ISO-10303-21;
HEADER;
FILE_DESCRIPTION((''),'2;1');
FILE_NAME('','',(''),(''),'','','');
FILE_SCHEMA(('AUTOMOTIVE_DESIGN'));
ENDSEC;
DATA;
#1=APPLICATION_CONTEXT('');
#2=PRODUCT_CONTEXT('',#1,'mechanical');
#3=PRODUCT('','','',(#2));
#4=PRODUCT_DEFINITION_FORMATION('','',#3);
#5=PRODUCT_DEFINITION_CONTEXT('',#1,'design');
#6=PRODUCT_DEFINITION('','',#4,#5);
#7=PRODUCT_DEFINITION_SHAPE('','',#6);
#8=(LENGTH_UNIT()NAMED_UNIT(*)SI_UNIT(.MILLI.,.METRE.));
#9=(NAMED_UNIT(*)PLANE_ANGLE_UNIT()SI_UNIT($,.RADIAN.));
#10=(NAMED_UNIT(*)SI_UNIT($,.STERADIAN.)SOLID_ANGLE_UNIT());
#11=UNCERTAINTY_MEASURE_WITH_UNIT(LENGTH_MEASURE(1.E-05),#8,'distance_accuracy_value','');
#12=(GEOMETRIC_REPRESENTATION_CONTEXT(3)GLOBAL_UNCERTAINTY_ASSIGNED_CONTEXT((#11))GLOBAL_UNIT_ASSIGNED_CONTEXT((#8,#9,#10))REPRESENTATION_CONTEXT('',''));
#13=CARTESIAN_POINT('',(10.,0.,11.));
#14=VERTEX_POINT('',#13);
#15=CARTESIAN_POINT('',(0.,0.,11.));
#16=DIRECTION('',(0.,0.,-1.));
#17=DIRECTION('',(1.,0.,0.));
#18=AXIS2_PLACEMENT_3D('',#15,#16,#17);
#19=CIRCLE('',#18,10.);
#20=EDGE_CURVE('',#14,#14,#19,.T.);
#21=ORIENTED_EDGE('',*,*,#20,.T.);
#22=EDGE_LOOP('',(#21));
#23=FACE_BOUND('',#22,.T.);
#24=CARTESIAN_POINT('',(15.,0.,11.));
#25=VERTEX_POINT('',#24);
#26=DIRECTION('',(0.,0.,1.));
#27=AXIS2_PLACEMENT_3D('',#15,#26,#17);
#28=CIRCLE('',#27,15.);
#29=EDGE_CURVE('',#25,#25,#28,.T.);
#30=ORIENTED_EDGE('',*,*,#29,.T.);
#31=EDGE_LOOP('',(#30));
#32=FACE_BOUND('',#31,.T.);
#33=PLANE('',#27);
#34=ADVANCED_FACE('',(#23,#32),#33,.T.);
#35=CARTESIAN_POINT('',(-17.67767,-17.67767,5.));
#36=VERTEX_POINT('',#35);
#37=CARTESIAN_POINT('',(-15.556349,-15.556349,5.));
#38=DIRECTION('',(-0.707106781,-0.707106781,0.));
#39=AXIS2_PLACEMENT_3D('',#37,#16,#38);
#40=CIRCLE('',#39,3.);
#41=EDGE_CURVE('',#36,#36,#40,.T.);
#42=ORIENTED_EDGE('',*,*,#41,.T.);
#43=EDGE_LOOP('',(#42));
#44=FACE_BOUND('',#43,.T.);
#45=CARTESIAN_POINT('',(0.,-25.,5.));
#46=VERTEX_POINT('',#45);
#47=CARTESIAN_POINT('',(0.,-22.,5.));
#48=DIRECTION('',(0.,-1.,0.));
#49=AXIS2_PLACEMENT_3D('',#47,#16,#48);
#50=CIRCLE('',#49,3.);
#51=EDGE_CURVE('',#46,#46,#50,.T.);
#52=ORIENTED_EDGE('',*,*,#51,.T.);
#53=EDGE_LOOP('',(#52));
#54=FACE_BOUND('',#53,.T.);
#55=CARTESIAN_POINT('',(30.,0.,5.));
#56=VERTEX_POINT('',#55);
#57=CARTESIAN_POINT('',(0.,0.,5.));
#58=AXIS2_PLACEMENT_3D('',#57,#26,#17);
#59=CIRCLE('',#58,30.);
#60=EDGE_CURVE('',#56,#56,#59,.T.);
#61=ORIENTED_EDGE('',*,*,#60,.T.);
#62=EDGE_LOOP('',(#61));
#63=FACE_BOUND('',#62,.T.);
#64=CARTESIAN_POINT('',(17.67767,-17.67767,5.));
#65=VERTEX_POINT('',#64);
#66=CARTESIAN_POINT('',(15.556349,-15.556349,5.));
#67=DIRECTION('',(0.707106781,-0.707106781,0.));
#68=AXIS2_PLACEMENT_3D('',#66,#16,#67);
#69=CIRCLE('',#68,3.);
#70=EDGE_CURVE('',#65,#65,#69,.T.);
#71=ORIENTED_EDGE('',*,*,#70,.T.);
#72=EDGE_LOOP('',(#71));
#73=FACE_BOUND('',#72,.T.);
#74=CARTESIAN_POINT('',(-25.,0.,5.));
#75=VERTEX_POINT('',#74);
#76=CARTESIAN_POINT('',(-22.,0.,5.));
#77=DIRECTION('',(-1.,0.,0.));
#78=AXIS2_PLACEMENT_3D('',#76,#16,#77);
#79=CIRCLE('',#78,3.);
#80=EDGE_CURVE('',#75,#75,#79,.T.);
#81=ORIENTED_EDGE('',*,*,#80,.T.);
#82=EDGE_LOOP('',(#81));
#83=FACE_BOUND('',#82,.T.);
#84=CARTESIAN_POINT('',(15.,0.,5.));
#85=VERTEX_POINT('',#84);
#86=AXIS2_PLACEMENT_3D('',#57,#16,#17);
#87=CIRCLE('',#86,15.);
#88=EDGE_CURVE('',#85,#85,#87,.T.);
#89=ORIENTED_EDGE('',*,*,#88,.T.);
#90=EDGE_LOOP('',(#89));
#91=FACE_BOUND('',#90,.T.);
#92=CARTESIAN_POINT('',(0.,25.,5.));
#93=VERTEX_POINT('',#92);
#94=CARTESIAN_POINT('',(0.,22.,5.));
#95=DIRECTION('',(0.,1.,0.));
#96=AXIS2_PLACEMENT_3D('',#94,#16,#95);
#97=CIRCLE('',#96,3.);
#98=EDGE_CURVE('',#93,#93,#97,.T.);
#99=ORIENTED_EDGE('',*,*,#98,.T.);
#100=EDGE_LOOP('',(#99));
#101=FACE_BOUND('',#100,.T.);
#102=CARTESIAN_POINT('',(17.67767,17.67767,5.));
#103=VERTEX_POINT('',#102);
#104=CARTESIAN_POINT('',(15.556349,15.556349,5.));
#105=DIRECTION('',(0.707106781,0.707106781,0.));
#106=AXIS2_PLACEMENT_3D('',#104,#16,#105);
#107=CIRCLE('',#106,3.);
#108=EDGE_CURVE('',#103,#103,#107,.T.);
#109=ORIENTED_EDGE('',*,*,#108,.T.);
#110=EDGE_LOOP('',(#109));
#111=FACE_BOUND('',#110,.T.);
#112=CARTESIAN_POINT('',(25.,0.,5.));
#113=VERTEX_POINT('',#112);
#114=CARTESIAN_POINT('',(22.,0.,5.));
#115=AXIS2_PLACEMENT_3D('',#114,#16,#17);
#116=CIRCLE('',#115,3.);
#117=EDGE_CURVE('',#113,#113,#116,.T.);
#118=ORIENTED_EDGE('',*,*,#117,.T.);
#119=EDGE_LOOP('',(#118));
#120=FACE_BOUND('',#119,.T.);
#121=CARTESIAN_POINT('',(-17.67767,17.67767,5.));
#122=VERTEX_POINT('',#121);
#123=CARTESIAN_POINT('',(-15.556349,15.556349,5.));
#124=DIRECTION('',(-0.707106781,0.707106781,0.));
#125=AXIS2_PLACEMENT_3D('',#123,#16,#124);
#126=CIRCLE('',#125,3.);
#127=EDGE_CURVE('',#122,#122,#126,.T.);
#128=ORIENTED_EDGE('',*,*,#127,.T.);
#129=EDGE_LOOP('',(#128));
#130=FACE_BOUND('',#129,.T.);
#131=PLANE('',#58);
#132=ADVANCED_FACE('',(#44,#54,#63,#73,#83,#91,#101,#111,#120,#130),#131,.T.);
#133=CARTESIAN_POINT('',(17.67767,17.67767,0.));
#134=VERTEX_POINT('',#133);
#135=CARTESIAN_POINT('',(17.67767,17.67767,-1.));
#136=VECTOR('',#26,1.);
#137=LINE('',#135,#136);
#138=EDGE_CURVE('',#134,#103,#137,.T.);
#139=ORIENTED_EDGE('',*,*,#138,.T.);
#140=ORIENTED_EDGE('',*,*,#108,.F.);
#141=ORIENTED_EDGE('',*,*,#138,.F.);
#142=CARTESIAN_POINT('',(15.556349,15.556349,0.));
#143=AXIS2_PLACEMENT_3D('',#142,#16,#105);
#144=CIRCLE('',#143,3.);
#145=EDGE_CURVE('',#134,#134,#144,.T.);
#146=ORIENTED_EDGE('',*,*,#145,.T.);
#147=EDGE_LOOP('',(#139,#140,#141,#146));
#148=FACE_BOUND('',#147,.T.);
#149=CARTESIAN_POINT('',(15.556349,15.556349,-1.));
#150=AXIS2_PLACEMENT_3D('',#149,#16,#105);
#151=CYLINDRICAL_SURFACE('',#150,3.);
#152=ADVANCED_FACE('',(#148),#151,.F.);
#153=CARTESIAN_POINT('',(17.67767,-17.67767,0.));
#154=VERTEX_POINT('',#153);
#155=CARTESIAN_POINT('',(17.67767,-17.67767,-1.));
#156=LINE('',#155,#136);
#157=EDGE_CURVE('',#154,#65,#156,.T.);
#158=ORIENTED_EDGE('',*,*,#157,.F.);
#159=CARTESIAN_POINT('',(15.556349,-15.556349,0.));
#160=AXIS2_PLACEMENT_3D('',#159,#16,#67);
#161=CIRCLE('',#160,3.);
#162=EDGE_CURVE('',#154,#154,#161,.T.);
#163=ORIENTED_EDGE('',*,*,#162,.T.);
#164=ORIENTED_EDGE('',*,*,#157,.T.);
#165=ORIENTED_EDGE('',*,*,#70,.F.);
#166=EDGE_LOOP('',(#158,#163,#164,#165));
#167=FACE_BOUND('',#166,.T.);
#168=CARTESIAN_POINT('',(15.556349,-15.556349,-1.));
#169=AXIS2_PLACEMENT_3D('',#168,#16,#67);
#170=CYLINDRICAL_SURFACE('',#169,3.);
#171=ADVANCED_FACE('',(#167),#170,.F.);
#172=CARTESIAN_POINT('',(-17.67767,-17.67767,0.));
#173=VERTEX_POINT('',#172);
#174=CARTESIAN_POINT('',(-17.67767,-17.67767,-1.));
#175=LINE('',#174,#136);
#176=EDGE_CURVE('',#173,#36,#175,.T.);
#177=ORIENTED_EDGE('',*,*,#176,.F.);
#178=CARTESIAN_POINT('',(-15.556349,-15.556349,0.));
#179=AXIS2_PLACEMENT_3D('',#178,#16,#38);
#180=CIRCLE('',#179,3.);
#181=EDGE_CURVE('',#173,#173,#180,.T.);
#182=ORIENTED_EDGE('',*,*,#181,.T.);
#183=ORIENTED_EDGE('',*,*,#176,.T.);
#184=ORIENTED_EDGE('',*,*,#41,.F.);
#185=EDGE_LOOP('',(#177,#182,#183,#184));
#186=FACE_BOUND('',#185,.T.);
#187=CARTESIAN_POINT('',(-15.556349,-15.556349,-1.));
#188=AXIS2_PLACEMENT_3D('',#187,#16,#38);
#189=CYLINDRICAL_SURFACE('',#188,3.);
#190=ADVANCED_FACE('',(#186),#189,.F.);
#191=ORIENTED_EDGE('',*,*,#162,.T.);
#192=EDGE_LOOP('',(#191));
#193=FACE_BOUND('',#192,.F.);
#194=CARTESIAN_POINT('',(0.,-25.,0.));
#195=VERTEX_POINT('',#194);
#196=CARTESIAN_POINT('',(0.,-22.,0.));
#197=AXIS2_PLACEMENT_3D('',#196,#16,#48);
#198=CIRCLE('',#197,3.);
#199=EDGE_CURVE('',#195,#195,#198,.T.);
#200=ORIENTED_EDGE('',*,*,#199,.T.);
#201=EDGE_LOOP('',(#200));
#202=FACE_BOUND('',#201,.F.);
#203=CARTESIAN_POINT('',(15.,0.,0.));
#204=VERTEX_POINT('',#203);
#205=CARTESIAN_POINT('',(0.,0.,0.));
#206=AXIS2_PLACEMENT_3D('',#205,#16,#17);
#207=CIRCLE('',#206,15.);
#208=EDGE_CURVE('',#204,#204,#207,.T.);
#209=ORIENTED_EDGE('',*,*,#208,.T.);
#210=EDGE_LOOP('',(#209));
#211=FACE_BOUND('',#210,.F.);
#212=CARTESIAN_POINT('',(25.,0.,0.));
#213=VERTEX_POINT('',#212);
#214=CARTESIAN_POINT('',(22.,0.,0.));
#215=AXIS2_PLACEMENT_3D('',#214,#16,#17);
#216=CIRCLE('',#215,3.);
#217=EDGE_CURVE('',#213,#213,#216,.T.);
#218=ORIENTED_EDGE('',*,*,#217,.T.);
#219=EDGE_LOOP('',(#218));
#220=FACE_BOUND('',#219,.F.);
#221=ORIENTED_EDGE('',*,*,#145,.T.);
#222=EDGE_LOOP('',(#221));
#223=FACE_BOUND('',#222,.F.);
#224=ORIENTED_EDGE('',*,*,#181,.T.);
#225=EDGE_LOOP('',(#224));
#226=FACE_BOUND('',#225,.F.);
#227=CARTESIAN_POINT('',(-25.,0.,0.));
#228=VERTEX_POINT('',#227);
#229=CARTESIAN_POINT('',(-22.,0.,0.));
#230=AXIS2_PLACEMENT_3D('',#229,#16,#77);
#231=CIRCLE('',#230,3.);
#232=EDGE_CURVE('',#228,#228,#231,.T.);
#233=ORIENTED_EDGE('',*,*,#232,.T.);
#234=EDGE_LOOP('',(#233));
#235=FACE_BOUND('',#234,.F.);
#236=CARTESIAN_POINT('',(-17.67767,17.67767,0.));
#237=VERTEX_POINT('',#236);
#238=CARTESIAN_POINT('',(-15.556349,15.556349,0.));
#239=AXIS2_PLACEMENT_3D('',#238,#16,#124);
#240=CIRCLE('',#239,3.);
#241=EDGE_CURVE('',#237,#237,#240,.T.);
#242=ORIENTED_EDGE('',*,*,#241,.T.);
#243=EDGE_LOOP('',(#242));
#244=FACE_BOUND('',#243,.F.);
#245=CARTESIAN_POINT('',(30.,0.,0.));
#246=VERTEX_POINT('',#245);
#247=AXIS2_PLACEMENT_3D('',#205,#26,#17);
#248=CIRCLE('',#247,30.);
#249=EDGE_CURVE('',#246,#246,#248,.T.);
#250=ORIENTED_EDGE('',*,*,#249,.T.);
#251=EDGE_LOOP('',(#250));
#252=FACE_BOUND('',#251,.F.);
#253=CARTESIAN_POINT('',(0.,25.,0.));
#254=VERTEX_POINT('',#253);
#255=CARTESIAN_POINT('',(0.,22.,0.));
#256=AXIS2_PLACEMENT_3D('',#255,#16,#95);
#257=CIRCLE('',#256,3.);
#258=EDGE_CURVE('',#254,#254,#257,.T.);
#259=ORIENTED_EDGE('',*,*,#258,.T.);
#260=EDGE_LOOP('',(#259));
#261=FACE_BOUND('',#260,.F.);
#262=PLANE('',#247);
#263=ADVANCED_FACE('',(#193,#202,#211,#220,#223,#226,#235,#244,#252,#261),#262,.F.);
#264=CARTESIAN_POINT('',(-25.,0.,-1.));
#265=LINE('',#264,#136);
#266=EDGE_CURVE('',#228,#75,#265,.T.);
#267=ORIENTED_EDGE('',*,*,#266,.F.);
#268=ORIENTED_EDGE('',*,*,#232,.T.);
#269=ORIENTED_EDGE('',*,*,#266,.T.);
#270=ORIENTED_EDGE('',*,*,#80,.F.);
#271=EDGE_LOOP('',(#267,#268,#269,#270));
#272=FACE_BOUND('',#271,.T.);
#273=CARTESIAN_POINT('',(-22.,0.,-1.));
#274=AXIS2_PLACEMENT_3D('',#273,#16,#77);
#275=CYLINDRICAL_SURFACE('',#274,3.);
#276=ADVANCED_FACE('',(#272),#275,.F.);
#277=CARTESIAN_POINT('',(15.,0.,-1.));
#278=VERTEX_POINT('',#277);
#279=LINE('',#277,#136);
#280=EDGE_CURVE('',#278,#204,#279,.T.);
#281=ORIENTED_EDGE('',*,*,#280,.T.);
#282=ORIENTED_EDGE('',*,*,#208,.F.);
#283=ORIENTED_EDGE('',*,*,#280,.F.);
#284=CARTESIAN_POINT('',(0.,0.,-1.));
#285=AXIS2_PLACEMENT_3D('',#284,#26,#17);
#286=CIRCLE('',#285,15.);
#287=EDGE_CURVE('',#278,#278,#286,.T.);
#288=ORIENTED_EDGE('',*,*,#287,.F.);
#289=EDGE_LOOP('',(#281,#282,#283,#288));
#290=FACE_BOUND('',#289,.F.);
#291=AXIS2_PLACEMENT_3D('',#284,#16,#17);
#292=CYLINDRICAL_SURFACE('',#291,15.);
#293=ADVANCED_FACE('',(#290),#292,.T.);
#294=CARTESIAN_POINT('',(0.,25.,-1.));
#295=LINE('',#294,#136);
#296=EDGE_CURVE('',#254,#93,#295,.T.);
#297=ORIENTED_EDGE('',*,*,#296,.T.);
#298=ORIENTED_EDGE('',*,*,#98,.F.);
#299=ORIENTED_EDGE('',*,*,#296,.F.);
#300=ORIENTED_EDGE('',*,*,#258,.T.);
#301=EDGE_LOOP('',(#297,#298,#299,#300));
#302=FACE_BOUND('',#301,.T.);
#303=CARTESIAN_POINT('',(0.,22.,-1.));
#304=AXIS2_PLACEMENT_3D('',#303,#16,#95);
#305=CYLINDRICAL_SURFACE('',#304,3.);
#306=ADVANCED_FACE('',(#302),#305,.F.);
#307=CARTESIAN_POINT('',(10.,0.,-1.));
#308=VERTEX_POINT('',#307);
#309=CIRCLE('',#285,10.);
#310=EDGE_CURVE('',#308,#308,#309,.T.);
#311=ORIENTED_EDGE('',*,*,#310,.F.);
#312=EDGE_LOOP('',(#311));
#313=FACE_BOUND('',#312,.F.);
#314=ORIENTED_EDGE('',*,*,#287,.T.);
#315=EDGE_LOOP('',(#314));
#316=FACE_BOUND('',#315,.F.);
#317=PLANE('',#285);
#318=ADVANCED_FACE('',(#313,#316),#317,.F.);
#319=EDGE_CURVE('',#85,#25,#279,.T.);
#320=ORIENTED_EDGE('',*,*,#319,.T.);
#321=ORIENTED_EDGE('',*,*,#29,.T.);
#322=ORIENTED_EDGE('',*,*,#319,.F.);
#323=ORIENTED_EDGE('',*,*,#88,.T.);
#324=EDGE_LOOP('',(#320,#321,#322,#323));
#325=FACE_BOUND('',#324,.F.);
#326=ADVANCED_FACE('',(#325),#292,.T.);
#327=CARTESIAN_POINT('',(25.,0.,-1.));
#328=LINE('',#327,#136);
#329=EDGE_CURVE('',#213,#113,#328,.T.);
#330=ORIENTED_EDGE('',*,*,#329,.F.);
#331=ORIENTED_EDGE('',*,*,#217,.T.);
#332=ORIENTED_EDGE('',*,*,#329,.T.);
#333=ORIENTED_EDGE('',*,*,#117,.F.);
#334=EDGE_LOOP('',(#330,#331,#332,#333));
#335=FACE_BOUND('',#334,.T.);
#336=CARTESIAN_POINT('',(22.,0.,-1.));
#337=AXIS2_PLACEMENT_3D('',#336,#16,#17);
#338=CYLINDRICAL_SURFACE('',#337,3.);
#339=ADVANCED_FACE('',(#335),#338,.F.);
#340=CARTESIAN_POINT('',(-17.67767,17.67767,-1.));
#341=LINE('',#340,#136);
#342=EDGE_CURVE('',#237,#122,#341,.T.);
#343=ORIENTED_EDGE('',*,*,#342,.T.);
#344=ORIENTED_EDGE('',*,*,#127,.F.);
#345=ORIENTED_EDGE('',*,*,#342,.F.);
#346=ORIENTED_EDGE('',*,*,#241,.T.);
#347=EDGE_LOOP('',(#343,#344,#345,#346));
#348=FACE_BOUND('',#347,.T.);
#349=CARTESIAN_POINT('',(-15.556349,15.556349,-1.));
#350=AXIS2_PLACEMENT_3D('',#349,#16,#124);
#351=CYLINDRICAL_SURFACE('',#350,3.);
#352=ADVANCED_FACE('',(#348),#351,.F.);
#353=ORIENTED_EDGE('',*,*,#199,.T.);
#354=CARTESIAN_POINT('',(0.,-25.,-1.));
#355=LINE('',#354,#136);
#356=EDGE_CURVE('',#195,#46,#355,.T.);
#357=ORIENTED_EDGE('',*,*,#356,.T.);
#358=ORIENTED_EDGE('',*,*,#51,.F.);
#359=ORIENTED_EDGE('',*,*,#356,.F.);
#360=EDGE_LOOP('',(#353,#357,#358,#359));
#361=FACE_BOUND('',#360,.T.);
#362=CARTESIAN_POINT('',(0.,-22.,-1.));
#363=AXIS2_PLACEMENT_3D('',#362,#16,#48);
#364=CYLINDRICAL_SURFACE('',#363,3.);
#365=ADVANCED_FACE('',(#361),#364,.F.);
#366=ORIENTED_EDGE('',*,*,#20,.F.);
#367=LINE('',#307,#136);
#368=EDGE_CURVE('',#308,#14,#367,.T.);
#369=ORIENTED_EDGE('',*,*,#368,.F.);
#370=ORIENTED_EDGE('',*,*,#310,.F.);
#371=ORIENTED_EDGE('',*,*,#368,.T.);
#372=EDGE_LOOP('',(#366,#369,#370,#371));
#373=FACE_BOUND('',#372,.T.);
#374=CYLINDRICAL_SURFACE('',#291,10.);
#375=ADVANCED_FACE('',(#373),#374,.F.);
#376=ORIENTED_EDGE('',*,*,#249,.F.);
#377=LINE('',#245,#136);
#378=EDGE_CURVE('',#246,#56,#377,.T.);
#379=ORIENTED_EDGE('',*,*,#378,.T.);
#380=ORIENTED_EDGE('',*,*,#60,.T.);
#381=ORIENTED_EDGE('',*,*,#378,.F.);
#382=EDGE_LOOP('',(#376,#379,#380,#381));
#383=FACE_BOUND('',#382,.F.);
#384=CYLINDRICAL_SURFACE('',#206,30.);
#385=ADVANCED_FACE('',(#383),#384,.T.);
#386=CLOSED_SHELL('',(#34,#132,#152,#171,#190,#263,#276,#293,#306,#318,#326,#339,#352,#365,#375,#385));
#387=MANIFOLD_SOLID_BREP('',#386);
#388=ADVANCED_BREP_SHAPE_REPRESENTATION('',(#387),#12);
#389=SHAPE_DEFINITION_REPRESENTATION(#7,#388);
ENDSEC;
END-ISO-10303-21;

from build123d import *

# Parameters (mm, degrees)
CYLINDER003_R     = 3
CYLINDER003_DEPTH = 10
ARRAY_COUNT       = 8
CYLINDER002_R     = 10
CYLINDER002_DEPTH = 30
CYLINDER001_R     = 15
CYLINDER001_DEPTH = 12
CYLINDER_R        = 30
CYLINDER_DEPTH    = 5


with BuildPart() as array:
    # Cylinder003 → Cylinder003 (new body)
    with BuildSketch(Plane(origin=(22, 0, 0), x_dir=(1, 0, 0), z_dir=(0, 0, 1))):
        Circle(CYLINDER003_R)
    extrude(amount=CYLINDER003_DEPTH)

    # Array: Array ×8 about axis
    array_axis = Axis((0, 0, 0), (0, 0, 1))


with BuildPart() as array_1:
    add(array.part)
    for i in range(1, ARRAY_COUNT):
        add(array.part.rotate(array_axis, i * 360 / ARRAY_COUNT))


with BuildPart() as array_2:
    # Array placement: moved
    add(array_1.part.moved(Location((0, 0, -1))))


with BuildPart() as tubo_interior:
    # Cylinder002 → Cylinder002 (new body)
    with BuildSketch(Plane.XY.offset(-1)):
        Circle(CYLINDER002_R)
    extrude(amount=CYLINDER002_DEPTH)


with BuildPart() as tubo_exterior:
    # Cylinder001 → Cylinder001 (new body)
    with BuildSketch(Plane.XY.offset(-1)):
        Circle(CYLINDER001_R)
    extrude(amount=CYLINDER001_DEPTH)


with BuildPart() as cut001:
    # Cylinder → Cylinder (new body)
    with BuildSketch(Plane.XY):
        Circle(CYLINDER_R)
    extrude(amount=CYLINDER_DEPTH)

    # Fusion: union tubo_exterior
    add(tubo_exterior.part)

    # Cut: cut tubo_interior
    add(tubo_interior.part, mode=Mode.SUBTRACT)

    # Cut001: cut Array
    add(array_2.part, mode=Mode.SUBTRACT)


solid = cut001.part
